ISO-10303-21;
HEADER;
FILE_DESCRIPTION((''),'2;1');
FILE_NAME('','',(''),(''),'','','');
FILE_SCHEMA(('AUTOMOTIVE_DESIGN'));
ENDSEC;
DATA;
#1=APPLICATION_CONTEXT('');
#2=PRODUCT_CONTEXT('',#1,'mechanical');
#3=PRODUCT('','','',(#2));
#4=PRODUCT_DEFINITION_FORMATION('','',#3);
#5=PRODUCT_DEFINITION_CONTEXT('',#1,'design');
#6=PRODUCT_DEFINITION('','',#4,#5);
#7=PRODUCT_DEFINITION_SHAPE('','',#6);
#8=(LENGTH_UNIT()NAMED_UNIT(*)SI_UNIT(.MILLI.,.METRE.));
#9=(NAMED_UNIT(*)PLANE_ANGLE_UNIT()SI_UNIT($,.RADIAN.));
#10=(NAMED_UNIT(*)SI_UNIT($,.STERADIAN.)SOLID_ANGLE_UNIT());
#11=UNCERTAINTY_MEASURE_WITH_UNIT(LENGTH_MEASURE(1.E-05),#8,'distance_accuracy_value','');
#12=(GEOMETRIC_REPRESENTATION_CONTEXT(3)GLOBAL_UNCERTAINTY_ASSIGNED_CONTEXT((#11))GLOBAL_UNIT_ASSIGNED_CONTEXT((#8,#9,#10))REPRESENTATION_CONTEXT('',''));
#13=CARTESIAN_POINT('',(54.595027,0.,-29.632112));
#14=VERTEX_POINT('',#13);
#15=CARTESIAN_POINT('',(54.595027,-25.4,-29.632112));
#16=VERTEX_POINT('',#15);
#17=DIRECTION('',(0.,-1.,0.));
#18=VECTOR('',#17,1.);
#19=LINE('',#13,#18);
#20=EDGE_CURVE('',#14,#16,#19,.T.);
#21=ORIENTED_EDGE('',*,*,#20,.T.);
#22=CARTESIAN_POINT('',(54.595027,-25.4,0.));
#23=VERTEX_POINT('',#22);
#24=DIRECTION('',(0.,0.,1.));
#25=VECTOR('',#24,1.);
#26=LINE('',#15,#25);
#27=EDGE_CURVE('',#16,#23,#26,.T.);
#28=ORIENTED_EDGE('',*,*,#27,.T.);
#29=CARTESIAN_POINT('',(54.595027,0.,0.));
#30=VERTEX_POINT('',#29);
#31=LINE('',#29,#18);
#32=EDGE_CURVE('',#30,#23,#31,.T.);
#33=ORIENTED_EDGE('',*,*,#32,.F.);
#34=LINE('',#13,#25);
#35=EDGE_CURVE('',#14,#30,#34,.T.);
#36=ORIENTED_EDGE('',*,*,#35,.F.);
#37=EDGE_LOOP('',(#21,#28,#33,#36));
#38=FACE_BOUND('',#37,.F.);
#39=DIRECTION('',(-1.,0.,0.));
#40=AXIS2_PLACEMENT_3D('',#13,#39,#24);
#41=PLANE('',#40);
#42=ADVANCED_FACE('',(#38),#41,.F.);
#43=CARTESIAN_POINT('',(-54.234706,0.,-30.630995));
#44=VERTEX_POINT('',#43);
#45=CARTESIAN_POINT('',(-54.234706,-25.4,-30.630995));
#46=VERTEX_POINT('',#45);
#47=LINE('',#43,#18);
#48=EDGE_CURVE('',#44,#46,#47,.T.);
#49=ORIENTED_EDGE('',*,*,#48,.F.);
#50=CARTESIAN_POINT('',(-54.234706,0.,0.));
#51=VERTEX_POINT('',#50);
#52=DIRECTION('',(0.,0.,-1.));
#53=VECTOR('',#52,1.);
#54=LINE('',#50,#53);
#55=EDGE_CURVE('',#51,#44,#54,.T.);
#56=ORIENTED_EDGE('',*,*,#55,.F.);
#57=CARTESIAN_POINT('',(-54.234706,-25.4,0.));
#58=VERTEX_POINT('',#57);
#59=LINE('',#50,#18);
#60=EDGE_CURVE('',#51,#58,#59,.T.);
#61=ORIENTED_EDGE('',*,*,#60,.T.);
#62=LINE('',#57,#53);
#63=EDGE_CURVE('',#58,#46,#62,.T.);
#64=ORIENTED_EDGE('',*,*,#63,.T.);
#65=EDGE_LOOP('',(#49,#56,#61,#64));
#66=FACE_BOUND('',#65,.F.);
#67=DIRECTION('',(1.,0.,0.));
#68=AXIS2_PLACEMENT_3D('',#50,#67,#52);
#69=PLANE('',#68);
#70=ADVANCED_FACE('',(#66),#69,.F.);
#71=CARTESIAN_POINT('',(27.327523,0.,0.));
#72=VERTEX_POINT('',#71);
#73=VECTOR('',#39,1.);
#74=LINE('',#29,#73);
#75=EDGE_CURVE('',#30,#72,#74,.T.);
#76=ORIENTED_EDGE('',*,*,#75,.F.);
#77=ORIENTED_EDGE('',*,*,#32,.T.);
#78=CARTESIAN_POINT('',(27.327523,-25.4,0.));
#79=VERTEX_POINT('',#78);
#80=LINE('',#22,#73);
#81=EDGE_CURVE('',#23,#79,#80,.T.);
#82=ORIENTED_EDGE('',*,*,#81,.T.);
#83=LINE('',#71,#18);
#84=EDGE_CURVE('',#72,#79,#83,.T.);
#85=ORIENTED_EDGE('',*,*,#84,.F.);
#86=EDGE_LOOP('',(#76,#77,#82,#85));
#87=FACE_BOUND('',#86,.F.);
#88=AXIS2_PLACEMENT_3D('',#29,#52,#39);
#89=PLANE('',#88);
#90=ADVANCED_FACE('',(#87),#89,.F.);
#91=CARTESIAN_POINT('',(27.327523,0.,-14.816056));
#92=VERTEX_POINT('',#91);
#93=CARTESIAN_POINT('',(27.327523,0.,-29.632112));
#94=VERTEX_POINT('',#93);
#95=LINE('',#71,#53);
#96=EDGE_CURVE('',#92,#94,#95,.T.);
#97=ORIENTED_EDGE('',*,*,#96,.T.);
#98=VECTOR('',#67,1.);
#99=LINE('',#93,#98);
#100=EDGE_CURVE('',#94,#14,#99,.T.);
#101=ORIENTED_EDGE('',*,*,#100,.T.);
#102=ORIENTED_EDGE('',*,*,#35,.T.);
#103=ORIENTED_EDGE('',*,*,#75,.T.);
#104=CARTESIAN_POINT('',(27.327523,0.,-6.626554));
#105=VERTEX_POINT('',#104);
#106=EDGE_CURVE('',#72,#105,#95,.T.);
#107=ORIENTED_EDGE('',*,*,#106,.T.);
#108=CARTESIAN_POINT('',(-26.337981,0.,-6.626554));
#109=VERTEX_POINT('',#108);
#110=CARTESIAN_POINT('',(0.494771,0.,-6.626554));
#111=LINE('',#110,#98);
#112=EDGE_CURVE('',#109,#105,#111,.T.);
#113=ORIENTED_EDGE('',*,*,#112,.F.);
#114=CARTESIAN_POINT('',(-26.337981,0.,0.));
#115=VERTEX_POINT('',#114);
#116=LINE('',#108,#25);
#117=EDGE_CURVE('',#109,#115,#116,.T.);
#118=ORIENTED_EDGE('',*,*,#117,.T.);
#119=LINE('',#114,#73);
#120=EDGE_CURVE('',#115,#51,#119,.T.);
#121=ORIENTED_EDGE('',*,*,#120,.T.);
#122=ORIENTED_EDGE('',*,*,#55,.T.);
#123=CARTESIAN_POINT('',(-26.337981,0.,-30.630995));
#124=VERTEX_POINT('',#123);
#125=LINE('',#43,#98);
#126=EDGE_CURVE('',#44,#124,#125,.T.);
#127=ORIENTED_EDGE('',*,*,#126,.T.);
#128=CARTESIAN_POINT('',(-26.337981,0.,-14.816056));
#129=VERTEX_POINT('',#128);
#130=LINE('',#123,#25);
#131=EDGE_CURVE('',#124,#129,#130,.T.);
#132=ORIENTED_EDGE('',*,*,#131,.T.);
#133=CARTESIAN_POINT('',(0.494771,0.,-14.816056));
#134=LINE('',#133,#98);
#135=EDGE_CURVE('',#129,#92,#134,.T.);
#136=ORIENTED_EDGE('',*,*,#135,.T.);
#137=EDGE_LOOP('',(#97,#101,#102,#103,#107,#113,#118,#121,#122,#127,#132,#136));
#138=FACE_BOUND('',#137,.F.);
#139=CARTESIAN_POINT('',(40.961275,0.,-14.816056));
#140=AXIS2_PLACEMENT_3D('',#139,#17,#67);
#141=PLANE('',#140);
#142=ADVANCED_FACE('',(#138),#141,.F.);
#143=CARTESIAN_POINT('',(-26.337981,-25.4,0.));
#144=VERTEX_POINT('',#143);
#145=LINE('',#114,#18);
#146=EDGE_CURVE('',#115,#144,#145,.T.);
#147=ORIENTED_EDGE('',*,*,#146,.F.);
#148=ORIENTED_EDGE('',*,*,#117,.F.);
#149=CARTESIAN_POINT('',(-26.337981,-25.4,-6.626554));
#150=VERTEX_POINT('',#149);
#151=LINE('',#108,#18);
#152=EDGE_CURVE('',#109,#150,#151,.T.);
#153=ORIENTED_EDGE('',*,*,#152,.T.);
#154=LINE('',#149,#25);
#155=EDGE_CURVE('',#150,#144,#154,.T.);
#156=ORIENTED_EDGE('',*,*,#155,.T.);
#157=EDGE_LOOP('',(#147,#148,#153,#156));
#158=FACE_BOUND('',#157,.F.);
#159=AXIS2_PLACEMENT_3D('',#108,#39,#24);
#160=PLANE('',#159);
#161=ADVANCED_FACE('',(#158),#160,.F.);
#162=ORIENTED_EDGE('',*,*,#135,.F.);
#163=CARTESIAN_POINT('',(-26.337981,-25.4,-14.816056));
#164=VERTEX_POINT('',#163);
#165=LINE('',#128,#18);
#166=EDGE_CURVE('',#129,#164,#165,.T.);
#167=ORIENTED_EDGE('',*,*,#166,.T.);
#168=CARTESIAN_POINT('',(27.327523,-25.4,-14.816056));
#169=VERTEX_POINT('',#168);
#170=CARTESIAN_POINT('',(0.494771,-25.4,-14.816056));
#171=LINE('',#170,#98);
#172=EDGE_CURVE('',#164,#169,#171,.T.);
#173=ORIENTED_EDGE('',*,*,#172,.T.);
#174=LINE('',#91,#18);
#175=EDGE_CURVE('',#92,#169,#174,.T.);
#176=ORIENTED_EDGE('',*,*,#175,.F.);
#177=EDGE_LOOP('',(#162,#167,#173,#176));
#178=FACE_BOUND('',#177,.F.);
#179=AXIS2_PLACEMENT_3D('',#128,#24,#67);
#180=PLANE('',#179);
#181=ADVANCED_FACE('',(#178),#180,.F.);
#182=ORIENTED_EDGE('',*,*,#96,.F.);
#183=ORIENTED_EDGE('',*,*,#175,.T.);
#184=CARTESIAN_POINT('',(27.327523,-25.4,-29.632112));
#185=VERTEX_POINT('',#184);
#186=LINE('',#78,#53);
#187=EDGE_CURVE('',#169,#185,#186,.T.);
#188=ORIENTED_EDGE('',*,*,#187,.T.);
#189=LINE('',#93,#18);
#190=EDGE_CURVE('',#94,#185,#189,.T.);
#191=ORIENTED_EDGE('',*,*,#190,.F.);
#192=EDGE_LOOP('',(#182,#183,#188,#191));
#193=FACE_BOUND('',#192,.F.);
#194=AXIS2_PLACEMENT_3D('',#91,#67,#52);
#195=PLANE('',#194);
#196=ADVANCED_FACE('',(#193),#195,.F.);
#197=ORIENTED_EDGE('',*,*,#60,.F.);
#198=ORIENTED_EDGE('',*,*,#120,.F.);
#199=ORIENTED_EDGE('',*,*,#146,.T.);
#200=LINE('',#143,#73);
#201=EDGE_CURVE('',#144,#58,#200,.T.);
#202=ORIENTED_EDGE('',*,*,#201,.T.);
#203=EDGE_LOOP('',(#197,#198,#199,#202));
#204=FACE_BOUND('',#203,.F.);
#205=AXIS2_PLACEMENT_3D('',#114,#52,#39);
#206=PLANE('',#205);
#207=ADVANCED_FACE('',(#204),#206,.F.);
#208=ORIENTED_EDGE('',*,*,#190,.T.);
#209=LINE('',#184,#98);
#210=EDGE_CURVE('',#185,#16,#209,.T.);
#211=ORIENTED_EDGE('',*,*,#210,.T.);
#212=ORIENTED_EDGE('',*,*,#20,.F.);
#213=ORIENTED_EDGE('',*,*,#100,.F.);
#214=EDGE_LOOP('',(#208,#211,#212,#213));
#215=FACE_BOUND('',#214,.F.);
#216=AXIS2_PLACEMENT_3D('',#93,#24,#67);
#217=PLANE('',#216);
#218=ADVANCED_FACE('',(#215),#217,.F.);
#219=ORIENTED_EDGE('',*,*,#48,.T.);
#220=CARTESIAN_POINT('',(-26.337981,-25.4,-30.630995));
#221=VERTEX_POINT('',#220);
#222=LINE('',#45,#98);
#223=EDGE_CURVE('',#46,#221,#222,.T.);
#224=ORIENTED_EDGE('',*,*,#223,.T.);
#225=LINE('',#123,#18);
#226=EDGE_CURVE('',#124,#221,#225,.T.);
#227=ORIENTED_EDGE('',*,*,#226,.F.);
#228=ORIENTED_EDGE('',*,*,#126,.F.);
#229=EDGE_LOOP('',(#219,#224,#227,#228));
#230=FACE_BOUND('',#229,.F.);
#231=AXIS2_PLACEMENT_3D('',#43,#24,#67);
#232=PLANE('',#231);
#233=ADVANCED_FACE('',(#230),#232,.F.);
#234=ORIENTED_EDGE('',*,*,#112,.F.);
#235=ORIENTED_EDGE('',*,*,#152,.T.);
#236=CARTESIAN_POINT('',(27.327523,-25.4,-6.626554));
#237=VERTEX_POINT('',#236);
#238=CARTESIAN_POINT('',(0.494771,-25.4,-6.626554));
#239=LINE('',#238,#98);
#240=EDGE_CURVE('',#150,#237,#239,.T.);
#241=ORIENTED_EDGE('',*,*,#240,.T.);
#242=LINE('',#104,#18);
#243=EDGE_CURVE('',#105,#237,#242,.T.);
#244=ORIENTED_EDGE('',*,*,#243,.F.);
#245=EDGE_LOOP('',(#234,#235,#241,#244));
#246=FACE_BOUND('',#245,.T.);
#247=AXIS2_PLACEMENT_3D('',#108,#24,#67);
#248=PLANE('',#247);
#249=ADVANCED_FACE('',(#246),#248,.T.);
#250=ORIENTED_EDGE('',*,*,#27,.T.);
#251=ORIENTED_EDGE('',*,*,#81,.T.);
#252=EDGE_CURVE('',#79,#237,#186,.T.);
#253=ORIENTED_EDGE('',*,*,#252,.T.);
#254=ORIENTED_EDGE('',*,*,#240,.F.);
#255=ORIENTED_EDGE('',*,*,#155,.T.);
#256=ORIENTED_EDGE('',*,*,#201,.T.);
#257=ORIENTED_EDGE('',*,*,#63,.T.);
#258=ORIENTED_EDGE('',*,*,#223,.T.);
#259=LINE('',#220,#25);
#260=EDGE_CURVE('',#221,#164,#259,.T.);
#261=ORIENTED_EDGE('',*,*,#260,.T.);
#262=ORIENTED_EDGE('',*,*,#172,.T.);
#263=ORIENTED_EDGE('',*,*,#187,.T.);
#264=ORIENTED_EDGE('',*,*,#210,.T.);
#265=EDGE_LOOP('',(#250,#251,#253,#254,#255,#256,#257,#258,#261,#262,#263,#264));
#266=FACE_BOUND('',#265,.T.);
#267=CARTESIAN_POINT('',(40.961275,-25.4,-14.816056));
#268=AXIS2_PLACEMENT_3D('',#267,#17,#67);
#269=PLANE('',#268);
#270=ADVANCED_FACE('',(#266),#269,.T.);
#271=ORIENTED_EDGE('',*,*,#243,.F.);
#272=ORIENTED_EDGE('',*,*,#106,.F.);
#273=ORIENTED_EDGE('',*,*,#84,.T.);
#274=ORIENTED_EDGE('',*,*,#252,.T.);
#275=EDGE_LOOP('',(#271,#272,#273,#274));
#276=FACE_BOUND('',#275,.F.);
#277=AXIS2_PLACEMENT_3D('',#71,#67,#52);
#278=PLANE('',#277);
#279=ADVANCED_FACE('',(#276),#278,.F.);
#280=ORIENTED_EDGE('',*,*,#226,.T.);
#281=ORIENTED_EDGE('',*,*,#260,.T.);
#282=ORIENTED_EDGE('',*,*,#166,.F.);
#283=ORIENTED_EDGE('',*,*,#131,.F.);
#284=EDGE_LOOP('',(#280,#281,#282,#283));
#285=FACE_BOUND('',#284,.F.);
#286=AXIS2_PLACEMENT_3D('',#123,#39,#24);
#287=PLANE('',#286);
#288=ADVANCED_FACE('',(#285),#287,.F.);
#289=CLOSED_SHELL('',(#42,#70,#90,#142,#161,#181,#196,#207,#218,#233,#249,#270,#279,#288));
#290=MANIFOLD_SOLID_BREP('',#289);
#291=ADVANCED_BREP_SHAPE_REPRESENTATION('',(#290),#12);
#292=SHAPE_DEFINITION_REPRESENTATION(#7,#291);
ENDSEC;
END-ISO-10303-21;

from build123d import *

# Parameters (mm, degrees)
F0_W     = 53.665504
F0_H     = 8.189502
F1_DEPTH = 25.4


with BuildPart() as f1:
    # F0 (on Front) → F1 (new body)
    with BuildSketch(Plane.XZ):
        Polygon((54.595027, -29.632112), (54.595027, 0), (27.327523, 0), (27.327523, -6.626554), (27.327523, -14.816056), (27.327523, -29.632112), align=None)
        with Locations((0.494771, -10.721305)):
            Rectangle(F0_W, F0_H)
        Polygon((-26.337981, -14.816056), (-26.337981, -6.626554), (-26.337981, 0), (-54.234706, 0), (-54.234706, -30.630995), (-26.337981, -30.630995), align=None)
    extrude(amount=F1_DEPTH)


solid = f1.part
